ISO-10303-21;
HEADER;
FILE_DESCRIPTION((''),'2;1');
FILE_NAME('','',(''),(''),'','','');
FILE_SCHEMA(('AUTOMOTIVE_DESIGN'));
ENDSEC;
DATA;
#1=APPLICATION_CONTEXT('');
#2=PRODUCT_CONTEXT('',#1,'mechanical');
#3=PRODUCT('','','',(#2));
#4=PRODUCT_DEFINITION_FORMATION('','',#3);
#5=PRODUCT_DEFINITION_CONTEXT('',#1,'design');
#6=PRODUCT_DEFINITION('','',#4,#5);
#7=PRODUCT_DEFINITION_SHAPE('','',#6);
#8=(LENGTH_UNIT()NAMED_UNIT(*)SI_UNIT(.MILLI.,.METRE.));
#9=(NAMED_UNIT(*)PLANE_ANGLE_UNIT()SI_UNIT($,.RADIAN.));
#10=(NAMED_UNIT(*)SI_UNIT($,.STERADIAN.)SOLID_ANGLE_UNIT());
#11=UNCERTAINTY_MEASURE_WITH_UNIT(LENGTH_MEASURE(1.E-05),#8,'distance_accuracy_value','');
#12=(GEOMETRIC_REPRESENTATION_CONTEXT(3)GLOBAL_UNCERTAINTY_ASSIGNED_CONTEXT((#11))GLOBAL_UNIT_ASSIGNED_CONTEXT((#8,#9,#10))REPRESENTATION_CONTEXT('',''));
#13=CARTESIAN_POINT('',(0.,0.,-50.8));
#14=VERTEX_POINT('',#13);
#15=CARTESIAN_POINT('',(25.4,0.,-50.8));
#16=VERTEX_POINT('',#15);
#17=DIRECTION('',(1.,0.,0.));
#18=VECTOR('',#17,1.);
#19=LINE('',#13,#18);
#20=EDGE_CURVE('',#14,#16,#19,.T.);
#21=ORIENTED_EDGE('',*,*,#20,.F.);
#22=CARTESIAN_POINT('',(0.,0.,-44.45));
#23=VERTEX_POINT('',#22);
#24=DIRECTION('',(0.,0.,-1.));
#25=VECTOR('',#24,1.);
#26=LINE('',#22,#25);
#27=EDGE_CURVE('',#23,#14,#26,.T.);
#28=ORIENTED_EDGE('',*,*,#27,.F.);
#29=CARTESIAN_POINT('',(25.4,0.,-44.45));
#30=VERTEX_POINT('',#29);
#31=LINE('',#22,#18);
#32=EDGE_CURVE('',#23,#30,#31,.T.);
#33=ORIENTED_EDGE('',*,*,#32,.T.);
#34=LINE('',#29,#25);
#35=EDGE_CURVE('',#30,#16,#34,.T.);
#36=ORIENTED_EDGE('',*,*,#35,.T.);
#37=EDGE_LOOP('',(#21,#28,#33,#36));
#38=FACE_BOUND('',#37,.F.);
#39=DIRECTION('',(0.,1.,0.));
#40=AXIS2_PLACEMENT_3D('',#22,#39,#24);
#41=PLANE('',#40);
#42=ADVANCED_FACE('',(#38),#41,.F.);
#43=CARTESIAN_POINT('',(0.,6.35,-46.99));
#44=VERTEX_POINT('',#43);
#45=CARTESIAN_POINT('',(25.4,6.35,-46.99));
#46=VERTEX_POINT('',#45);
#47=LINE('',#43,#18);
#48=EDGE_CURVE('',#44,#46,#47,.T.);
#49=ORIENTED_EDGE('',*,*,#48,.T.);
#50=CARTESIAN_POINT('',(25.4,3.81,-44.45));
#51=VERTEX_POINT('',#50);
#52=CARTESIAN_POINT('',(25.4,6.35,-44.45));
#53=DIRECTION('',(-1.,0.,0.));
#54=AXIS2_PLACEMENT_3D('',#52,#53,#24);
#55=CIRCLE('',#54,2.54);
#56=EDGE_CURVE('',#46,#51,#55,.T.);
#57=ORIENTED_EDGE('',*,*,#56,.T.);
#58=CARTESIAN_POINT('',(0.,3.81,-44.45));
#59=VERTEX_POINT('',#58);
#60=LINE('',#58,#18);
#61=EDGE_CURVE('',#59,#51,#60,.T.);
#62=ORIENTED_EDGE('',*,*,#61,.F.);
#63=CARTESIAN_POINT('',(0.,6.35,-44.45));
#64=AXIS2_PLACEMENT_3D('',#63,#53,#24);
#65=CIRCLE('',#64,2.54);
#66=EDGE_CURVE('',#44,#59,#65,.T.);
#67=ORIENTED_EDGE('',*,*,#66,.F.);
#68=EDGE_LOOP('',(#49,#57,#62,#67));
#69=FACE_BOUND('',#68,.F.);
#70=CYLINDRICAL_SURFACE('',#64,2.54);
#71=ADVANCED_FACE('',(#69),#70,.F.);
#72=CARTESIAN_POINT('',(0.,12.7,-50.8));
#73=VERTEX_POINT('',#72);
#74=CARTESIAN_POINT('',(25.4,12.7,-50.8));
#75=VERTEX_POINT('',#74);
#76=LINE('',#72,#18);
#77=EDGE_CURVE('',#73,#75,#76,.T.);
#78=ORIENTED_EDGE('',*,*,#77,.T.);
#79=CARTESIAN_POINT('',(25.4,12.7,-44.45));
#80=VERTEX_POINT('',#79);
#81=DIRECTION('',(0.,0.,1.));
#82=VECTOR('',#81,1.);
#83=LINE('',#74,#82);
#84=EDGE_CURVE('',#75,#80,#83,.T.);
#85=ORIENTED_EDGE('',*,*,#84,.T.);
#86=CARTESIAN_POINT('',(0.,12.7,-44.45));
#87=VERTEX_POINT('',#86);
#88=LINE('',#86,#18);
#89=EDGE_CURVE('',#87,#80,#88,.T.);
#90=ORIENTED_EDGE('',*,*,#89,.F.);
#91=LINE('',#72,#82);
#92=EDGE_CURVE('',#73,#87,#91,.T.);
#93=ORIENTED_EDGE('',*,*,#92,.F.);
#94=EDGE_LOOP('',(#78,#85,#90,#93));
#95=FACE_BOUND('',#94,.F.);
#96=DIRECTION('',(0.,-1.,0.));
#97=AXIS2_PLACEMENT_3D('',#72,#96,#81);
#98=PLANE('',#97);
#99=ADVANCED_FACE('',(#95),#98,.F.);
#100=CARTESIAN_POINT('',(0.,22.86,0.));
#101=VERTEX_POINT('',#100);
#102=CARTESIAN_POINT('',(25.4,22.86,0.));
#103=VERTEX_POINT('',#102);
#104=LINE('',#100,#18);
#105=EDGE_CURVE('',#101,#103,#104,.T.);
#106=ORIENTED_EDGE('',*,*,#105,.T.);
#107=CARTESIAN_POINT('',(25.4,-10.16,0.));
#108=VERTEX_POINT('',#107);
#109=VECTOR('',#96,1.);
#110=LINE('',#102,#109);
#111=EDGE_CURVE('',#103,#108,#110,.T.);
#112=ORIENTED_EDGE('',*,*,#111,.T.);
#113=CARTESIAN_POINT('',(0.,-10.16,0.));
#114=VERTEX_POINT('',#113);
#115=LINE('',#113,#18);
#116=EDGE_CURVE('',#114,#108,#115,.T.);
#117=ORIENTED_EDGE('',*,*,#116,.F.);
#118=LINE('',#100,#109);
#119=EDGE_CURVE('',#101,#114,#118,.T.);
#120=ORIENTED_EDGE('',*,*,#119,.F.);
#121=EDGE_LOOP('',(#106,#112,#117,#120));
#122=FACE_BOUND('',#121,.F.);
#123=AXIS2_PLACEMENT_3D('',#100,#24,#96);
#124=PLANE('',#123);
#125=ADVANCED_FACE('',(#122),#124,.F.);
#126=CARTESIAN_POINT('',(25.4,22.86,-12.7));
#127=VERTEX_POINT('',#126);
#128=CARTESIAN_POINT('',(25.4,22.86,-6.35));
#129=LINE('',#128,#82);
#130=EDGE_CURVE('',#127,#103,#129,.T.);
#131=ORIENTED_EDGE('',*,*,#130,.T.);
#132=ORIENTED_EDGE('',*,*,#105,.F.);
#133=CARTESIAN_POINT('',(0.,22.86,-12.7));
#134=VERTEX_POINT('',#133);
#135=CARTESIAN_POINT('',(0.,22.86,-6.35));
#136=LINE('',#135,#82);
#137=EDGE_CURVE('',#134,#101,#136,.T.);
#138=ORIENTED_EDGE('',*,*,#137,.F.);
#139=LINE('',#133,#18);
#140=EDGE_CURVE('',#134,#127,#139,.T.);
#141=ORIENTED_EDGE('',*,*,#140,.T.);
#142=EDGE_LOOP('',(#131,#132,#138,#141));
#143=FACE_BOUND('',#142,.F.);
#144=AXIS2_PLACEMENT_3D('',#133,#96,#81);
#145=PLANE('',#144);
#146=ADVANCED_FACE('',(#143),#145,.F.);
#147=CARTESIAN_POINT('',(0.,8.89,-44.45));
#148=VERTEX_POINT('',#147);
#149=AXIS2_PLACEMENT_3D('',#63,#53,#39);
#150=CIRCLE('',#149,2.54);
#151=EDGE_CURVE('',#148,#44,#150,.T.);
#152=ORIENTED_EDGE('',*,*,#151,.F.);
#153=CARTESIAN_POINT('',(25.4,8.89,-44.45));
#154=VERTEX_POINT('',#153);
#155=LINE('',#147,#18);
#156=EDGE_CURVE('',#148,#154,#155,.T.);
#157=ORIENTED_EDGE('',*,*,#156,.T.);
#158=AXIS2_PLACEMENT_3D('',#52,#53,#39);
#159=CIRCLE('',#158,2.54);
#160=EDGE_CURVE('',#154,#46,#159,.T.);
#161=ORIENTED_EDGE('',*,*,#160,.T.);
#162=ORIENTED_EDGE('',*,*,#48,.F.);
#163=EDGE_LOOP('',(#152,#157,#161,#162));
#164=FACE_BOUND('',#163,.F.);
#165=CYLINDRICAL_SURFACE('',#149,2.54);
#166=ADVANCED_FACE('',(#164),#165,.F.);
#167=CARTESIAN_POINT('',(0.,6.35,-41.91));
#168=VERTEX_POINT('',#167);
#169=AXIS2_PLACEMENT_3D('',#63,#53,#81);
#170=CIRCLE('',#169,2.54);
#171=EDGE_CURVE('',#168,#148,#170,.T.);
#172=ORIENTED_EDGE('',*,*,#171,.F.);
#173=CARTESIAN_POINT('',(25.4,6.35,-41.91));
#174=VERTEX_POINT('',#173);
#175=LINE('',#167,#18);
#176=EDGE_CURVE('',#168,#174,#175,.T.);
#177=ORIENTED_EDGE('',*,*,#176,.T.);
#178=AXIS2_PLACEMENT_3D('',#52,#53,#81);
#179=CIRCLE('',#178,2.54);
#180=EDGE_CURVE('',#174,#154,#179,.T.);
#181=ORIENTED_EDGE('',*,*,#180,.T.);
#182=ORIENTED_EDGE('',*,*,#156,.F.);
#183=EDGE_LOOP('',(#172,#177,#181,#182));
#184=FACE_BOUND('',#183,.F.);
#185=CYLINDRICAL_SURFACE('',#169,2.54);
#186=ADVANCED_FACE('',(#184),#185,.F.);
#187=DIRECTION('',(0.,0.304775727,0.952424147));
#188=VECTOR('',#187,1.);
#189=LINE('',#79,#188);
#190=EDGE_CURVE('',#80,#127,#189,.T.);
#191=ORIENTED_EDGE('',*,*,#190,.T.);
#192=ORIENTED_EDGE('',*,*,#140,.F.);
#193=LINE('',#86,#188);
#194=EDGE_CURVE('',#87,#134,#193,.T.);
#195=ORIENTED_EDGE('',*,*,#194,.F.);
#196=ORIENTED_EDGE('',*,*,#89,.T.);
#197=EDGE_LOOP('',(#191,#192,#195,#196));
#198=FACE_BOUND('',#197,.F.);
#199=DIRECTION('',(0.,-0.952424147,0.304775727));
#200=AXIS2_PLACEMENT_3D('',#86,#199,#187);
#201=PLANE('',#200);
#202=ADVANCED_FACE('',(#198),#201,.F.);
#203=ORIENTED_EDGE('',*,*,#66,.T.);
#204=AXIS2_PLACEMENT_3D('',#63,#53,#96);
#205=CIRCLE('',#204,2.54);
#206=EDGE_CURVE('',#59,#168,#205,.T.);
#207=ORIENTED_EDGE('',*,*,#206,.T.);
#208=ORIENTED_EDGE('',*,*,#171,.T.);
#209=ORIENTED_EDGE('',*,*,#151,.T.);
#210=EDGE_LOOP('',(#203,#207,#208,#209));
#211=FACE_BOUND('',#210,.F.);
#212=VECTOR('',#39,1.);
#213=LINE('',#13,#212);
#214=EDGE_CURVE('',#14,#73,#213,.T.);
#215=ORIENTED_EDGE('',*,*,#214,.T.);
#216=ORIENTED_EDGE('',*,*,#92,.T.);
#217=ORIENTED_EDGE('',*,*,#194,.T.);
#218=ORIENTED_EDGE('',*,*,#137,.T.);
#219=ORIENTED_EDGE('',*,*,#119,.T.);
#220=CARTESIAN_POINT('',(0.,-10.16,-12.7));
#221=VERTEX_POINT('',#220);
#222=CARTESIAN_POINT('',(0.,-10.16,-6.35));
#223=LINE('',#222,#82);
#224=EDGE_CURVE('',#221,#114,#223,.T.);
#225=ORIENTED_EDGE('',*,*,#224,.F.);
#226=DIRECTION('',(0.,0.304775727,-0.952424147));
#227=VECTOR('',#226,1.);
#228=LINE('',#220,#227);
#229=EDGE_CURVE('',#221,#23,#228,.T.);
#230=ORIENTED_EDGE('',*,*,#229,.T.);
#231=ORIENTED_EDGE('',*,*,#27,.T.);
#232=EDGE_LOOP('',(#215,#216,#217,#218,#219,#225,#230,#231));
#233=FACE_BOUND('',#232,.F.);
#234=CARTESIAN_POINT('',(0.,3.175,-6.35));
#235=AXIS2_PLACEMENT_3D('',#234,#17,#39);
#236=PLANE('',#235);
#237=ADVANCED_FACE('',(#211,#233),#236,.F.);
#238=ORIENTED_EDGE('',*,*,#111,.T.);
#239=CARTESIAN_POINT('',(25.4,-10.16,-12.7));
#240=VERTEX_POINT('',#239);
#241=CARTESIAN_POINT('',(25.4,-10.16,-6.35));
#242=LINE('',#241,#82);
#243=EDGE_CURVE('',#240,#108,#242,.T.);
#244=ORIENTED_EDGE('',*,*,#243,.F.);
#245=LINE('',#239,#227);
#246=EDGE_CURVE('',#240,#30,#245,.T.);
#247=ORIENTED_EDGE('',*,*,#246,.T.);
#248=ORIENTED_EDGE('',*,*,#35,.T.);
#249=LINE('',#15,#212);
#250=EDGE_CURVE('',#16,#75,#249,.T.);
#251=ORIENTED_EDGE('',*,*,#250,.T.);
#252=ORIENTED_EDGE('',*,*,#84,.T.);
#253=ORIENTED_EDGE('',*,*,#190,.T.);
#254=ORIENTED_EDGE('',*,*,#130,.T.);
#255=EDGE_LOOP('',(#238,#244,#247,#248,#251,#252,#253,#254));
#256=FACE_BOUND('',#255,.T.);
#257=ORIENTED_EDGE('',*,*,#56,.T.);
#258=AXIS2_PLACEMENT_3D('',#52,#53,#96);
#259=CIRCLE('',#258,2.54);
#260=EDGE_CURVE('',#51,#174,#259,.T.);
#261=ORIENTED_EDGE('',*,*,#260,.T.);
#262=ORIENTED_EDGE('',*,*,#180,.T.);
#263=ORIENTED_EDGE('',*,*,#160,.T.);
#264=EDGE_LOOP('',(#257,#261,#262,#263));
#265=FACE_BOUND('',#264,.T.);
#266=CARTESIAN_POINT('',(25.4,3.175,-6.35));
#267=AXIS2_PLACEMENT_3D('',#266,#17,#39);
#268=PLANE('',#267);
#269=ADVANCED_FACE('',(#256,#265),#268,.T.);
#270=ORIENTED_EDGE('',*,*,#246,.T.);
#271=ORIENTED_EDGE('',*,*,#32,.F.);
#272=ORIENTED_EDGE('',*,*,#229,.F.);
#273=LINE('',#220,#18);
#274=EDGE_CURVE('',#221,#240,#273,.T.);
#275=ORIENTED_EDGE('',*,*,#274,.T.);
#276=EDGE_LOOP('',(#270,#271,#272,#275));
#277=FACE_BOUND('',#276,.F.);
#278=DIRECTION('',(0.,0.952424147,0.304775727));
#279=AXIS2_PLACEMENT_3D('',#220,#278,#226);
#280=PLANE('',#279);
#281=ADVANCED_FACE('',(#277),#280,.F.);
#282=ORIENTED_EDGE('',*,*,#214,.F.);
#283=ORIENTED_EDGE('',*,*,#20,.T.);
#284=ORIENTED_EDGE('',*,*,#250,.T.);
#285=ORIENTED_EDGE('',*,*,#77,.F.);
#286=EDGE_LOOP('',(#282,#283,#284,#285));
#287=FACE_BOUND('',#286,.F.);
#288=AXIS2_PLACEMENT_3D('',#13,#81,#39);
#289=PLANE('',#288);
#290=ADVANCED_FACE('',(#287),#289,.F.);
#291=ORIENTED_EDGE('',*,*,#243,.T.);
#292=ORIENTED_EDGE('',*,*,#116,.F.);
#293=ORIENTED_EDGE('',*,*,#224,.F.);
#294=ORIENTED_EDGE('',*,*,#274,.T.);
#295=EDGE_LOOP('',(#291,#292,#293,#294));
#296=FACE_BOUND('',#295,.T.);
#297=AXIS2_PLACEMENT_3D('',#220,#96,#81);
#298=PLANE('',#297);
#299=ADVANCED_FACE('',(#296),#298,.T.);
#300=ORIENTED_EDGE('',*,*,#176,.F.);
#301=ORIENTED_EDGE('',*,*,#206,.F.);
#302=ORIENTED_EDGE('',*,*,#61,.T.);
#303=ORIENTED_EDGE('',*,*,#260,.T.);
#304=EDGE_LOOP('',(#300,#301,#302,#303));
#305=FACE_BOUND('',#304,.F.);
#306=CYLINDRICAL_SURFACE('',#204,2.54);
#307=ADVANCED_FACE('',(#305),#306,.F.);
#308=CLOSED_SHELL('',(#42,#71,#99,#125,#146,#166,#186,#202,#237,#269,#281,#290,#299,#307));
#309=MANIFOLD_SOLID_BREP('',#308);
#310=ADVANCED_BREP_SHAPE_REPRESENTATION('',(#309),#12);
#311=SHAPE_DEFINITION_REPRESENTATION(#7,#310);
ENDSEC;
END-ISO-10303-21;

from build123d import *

# Parameters (mm, degrees)
F0_W     = 6.35
F0_H     = 12.7
F0_W_2   = 10.16
F1_DEPTH = 25.4


with BuildPart() as f1:
    # F0 (on Right) → F1 (new body)
    with BuildSketch(Plane.YZ):
        with Locations((3.175, -6.35)):
            Rectangle(F0_W, F0_H)
        with Locations((-5.08, -6.35)):
            Rectangle(F0_W_2, F0_H)
        with Locations((9.525, -6.35)):
            Rectangle(F0_W, F0_H)
        with BuildLine():
            Line((6.35, -12.7), (0, -12.7))
            Line((0, -12.7), (0, -44.45))
            Line((0, -44.45), (3.81, -44.45))
            ThreePointArc((3.81, -44.45), (4.5539487758, -42.6539487758), (6.35, -41.91))
            Line((6.35, -41.91), (6.35, -12.7))
        make_face()
        Polygon((0, -44.45), (0, -12.7), (-10.16, -12.7), align=None)
        with Locations((17.78, -6.35)):
            Rectangle(F0_W_2, F0_H)
        with BuildLine():
            Line((12.7, -12.7), (6.35, -12.7))
            Line((6.35, -12.7), (6.35, -41.91))
            ThreePointArc((6.35, -41.91), (8.1460512242, -42.6539487758), (8.89, -44.45))
            Line((8.89, -44.45), (12.7, -44.45))
            Line((12.7, -44.45), (12.7, -12.7))
        make_face()
        with BuildLine():
            Line((3.81, -44.45), (0, -44.45))
            Line((0, -44.45), (0, -50.8))
            Line((0, -50.8), (6.35, -50.8))
            Line((6.35, -50.8), (6.35, -46.99))
            ThreePointArc((6.35, -46.99), (4.5539487758, -46.2460512242), (3.81, -44.45))
        make_face()
        Polygon((22.86, -12.7), (12.7, -12.7), (12.7, -44.45), align=None)
        with BuildLine():
            Line((12.7, -50.8), (12.7, -44.45))
            Line((12.7, -44.45), (8.89, -44.45))
            ThreePointArc((8.89, -44.45), (8.1460512242, -46.2460512242), (6.35, -46.99))
            Line((6.35, -46.99), (6.35, -50.8))
            Line((6.35, -50.8), (12.7, -50.8))
        make_face()
    extrude(amount=F1_DEPTH)


solid = f1.part
